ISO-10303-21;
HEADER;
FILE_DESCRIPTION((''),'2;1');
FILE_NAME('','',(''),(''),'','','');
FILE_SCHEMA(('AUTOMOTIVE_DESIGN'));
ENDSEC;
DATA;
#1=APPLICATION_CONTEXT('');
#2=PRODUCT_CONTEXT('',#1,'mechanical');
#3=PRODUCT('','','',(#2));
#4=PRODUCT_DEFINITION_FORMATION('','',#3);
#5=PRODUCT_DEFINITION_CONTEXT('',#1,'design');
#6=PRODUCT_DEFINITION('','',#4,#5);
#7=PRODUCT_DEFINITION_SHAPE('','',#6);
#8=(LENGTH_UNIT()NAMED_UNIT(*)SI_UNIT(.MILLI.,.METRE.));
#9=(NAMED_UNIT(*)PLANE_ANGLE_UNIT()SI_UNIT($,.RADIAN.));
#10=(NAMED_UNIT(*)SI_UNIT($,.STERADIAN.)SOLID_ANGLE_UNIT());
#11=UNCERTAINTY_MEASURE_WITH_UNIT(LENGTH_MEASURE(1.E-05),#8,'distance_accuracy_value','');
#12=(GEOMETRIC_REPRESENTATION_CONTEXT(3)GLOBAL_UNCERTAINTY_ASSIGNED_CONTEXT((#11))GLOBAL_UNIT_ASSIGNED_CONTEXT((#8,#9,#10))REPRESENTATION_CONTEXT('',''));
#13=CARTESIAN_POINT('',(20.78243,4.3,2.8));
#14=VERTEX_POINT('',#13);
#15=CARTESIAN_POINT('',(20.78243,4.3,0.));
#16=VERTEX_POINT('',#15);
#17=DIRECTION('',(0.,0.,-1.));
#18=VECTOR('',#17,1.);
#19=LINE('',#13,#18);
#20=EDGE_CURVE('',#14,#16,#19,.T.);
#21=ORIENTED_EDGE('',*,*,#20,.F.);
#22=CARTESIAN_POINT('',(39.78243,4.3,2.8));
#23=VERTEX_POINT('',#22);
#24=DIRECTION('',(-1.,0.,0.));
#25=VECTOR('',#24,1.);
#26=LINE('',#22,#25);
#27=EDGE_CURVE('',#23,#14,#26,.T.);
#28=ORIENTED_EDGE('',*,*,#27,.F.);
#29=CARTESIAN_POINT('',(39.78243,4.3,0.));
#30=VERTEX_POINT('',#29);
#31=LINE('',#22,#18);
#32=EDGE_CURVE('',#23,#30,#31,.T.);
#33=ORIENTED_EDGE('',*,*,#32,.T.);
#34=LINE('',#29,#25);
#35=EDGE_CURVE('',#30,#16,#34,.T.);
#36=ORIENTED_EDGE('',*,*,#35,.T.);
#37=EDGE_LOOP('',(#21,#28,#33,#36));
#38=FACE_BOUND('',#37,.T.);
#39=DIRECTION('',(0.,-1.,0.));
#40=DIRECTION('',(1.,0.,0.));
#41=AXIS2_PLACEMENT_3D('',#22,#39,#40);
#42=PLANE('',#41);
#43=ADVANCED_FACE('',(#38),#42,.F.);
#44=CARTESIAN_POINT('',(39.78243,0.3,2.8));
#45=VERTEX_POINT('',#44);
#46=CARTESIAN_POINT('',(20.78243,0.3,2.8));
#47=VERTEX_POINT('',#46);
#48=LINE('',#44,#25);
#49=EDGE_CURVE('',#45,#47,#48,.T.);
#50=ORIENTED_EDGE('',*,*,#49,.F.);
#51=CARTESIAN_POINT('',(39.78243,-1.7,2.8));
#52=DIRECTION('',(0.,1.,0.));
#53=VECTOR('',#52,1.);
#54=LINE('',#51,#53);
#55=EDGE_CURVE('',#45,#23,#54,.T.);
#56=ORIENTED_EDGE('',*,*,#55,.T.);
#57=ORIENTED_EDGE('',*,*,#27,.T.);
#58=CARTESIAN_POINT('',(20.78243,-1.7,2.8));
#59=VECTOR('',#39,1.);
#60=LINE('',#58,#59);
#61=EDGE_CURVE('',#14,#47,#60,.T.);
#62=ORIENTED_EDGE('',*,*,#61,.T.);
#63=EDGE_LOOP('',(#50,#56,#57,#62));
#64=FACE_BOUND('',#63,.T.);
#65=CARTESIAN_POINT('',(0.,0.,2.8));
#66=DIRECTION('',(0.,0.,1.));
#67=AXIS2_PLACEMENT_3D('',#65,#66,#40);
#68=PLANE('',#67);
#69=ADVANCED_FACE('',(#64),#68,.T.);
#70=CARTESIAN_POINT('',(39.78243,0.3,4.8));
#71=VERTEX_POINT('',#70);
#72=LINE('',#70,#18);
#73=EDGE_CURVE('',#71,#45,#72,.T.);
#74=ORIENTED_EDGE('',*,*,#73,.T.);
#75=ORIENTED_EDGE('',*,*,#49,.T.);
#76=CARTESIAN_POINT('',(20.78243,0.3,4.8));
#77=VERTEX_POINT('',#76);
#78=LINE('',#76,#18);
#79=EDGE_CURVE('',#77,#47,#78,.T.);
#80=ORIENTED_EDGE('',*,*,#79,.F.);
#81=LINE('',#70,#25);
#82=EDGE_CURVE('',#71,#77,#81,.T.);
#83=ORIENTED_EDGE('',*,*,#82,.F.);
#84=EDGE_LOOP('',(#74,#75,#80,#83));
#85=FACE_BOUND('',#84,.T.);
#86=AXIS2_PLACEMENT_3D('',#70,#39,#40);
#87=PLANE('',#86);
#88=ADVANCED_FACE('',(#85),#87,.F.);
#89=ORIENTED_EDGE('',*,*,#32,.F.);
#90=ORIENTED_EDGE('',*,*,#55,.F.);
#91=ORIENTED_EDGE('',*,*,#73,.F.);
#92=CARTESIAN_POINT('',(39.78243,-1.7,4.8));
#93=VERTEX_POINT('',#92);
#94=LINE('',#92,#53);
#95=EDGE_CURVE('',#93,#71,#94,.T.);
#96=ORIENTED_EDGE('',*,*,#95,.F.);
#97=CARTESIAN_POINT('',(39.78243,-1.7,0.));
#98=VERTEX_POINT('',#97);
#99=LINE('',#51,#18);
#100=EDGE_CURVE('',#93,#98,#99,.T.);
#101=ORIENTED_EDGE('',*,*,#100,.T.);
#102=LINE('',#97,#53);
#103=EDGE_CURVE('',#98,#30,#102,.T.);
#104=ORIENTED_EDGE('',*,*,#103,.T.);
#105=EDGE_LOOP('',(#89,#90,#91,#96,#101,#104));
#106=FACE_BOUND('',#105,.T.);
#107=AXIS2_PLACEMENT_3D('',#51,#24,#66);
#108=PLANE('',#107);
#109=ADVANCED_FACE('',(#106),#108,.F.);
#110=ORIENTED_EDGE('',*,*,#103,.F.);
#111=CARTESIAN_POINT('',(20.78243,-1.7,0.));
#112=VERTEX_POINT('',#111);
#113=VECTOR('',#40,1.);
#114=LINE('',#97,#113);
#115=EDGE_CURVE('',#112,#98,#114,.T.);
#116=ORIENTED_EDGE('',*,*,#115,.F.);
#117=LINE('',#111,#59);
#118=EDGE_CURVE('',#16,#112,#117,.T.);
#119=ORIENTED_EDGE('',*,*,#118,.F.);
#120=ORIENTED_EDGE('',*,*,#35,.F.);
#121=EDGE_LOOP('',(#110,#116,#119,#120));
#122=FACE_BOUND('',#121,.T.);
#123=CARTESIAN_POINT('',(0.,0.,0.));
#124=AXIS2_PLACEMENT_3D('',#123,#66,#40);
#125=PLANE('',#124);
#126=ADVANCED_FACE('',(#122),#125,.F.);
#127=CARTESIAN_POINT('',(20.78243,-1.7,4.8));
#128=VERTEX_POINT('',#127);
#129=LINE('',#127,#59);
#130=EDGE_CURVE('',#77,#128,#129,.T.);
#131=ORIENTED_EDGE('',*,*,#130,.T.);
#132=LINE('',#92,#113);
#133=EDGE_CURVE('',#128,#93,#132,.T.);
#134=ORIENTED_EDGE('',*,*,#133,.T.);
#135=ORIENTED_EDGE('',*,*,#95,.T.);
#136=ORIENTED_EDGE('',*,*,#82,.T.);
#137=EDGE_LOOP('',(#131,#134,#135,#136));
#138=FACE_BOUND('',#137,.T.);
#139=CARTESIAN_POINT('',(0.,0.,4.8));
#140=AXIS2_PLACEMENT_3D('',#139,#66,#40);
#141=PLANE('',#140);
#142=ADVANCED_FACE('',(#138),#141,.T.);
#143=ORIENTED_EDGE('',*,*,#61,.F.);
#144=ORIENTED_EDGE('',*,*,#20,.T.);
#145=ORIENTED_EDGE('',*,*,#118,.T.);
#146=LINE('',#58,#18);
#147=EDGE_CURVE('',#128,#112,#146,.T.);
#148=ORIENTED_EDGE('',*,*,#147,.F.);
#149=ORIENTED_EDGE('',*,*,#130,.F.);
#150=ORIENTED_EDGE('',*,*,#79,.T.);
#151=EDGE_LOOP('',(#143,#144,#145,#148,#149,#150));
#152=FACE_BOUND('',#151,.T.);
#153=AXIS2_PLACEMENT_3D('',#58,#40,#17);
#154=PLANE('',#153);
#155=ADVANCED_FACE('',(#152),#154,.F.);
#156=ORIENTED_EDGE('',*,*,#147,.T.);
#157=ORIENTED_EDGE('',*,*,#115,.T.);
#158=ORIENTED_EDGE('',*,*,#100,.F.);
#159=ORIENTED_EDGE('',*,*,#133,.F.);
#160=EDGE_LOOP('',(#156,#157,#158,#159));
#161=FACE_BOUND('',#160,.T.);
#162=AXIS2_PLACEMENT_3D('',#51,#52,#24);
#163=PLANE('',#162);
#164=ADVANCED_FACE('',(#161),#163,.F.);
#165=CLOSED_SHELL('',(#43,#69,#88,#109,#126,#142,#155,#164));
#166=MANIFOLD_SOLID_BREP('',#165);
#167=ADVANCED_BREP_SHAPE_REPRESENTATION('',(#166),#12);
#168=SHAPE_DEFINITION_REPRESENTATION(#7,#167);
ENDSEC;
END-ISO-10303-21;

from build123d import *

# Parameters (mm, degrees)
SKETCH1_W           = 19
SKETCH1_H           = 6
BOSS_EXTRUDE1_DEPTH = 2.8
SKETCH2_W           = 19
SKETCH2_H           = 2
BOSS_EXTRUDE2_DEPTH = 2


with BuildPart() as part:
    # Sketch1 → Boss-Extrude1 (new body)
    with BuildSketch(Plane.XY):
        with Locations((30.28242964, 1.3)):
            Rectangle(SKETCH1_W, SKETCH1_H)
    extrude(amount=BOSS_EXTRUDE1_DEPTH)

    # Sketch2 → Boss-Extrude2 (add)
    with BuildSketch(Plane.XY.offset(2.8)):
        with Locations((30.28242964, -0.7)):
            Rectangle(SKETCH2_W, SKETCH2_H)
    extrude(amount=BOSS_EXTRUDE2_DEPTH)


solid = part.part
